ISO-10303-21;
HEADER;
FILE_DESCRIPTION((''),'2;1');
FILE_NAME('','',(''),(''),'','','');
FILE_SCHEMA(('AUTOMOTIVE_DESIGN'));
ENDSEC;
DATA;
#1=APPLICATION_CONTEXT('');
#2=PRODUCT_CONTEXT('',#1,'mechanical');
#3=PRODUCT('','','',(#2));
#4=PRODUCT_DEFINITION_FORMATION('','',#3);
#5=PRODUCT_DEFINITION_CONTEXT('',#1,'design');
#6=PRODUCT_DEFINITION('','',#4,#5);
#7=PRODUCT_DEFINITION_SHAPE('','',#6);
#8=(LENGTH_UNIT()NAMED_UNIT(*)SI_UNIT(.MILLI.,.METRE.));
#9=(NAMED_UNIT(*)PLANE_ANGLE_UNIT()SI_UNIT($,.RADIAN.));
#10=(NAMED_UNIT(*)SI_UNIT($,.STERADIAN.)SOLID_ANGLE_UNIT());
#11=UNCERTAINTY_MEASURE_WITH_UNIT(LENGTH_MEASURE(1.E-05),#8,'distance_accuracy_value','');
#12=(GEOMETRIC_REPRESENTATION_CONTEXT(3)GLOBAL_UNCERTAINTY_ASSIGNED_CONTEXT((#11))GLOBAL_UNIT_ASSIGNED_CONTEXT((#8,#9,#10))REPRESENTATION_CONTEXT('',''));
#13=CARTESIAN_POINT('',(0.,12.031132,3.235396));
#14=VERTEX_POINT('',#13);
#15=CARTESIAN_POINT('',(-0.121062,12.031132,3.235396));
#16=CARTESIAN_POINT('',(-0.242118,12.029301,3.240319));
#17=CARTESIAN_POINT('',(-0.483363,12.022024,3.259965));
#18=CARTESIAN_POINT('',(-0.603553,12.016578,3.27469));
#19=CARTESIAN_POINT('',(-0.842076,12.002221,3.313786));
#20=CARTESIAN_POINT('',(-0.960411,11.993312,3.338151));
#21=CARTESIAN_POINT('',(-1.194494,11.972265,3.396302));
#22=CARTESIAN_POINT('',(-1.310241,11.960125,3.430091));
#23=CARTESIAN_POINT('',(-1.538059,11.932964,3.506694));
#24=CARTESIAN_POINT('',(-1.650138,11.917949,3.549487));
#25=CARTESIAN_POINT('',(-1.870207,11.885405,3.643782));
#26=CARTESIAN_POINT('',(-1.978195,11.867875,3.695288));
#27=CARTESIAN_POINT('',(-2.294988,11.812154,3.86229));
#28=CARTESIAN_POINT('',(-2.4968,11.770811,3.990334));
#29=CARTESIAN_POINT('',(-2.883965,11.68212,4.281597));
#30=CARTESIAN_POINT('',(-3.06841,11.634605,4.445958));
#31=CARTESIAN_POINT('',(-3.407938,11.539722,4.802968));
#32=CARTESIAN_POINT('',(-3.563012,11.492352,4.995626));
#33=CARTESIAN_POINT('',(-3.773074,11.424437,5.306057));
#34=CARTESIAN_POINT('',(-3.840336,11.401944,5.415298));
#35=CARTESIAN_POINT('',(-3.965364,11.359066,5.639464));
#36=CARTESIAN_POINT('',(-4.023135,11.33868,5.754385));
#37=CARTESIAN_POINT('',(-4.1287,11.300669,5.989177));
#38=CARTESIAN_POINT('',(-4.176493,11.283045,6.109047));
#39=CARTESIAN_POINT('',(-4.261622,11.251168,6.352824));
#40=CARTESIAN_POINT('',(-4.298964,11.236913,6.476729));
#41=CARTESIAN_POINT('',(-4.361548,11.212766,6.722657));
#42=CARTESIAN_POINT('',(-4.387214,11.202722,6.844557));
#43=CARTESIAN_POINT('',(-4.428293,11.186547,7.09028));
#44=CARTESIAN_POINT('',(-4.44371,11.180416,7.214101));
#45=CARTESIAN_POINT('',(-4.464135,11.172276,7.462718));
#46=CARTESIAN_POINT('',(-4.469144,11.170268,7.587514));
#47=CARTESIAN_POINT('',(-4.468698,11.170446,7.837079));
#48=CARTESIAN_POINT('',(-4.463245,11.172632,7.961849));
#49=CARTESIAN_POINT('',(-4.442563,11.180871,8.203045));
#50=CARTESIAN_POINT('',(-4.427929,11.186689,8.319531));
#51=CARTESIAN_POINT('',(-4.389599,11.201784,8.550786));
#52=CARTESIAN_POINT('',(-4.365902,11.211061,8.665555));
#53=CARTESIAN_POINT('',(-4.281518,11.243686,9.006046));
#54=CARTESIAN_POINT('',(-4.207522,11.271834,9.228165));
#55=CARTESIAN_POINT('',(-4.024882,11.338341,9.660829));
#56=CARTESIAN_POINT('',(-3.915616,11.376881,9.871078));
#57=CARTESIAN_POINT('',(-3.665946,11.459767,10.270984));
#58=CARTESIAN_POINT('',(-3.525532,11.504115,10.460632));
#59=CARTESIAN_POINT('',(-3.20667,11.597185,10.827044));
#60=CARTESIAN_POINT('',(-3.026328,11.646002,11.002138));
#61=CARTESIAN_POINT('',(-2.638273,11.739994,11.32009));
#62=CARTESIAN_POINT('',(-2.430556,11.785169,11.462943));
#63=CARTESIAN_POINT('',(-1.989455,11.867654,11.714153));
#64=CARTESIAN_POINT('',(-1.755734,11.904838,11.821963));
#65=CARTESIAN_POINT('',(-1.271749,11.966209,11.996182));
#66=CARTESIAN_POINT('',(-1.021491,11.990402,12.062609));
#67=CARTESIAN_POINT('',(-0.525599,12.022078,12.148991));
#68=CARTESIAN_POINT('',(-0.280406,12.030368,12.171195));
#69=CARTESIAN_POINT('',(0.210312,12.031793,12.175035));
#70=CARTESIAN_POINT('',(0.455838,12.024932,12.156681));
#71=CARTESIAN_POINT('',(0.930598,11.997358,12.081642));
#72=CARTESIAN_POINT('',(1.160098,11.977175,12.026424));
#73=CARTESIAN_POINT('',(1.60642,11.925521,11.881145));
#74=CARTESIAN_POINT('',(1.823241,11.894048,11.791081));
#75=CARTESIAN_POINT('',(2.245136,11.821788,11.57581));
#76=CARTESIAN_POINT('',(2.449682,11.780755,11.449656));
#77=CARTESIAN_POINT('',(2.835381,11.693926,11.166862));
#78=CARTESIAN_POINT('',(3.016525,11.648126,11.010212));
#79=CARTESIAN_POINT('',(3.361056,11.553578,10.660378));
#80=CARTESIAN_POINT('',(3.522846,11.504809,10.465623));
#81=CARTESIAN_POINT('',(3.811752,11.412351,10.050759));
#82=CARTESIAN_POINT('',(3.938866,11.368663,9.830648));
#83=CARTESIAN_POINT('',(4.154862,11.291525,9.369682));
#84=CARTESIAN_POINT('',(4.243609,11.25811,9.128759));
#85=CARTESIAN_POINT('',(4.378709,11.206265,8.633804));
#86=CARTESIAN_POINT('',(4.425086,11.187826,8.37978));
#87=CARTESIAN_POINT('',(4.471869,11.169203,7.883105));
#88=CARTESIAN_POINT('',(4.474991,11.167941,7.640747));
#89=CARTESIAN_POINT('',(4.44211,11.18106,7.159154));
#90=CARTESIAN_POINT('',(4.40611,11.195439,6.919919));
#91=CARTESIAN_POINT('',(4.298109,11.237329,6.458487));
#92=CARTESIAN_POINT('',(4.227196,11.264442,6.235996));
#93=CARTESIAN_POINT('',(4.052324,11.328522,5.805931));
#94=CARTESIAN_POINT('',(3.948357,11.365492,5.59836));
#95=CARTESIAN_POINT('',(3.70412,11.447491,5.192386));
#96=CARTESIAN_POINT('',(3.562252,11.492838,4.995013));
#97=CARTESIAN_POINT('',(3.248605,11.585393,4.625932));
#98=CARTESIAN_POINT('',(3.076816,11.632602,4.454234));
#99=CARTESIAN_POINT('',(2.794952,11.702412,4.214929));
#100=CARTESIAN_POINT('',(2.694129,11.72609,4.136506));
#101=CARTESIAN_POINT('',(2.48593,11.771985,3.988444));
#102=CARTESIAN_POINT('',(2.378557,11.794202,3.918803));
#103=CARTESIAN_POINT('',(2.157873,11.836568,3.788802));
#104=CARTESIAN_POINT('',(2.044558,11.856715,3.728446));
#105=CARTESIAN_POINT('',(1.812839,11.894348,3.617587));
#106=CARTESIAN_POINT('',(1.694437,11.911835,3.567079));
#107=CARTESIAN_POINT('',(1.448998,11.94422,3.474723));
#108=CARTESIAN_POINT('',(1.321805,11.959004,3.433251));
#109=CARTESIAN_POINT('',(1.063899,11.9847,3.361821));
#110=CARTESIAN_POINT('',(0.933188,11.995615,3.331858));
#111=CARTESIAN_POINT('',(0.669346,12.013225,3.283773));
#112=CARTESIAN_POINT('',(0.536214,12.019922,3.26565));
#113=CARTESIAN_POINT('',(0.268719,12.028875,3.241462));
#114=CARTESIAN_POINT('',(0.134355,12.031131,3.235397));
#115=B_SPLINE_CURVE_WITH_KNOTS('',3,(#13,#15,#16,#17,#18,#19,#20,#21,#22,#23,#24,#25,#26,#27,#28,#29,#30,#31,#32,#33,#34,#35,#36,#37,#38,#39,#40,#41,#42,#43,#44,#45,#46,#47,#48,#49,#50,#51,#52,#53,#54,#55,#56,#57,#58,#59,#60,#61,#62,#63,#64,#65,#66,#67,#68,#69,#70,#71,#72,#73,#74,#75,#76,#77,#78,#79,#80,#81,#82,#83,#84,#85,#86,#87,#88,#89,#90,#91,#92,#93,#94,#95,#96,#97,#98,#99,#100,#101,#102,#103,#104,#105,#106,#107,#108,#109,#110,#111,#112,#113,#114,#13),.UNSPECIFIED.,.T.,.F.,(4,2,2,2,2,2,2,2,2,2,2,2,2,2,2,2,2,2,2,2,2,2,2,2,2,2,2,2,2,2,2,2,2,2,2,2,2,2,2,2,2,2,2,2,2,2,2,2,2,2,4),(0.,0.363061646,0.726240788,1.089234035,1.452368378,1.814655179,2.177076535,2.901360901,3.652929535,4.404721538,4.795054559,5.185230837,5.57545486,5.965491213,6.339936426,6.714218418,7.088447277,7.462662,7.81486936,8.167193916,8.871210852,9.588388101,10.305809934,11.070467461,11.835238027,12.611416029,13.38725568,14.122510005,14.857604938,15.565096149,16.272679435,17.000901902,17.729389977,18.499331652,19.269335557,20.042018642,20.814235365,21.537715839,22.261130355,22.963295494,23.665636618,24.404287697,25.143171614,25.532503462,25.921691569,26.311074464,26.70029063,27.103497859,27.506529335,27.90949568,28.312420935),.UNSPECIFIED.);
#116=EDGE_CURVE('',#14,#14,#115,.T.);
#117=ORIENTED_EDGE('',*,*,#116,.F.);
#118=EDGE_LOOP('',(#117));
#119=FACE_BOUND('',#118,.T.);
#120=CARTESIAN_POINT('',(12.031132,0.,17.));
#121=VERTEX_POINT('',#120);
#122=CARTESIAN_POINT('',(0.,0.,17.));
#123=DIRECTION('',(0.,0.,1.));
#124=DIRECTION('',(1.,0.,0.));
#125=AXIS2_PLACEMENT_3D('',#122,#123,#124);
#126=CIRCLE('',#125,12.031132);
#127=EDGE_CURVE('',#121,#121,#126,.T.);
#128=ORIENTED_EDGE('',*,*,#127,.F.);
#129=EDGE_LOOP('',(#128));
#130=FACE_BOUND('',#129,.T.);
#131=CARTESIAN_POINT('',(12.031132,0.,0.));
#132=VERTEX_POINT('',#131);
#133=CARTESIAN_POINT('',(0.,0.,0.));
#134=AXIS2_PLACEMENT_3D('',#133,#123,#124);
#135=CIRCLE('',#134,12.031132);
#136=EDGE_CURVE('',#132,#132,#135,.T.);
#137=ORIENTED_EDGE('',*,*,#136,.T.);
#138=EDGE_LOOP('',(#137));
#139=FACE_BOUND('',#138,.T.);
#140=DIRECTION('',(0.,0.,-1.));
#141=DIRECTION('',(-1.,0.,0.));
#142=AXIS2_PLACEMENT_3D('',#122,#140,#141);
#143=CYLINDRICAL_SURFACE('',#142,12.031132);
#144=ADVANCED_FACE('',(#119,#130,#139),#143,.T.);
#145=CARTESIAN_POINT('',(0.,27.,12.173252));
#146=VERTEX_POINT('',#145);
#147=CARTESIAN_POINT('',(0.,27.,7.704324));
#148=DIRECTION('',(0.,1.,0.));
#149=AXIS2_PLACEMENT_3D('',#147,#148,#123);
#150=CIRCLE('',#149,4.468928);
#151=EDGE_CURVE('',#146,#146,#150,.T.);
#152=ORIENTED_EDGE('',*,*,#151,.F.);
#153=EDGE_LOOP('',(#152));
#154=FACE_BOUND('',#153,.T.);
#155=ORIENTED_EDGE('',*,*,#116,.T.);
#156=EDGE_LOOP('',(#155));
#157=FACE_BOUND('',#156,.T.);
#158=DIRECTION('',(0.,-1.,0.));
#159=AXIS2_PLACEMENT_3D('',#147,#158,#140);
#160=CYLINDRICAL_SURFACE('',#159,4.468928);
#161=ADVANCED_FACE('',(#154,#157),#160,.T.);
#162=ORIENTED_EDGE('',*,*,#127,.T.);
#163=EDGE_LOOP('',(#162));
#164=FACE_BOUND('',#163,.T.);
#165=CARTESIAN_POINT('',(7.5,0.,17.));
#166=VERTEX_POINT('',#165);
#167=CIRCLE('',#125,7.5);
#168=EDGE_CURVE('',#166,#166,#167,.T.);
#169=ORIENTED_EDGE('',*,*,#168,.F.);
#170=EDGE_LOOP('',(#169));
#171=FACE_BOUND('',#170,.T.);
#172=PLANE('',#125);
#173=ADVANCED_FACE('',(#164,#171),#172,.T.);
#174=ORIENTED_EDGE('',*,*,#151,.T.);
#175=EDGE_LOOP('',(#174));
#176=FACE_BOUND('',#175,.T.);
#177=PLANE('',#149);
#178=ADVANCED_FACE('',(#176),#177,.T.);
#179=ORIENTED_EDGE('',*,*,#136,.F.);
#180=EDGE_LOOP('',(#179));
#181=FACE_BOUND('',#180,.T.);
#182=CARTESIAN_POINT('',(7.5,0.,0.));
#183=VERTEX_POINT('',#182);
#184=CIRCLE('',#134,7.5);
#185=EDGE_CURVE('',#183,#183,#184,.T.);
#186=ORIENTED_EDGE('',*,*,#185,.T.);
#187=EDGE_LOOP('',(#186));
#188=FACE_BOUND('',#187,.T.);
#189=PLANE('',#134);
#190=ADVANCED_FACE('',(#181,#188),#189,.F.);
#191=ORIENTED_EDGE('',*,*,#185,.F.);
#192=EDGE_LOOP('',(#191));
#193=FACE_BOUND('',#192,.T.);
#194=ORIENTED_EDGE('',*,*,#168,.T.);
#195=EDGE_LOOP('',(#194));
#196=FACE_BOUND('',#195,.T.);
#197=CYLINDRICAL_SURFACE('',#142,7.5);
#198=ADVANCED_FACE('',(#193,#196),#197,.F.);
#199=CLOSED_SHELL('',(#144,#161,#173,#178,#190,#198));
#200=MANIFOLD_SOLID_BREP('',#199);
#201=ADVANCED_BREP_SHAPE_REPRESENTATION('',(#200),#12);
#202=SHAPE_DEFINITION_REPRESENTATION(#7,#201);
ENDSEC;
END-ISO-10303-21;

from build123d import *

# Parameters (mm, degrees)
SKETCH1_R           = 12.03113177
SKETCH1_R_2         = 7.5
BOSS_EXTRUDE1_DEPTH = 17
SKETCH2_R           = 4.468928123
BOSS_EXTRUDE2_DEPTH = 17


with BuildPart() as part:
    # Sketch1 → Boss-Extrude1 (new body)
    with BuildSketch(Plane.XY):
        Circle(SKETCH1_R)
        Circle(SKETCH1_R_2, mode=Mode.SUBTRACT)
    extrude(amount=BOSS_EXTRUDE1_DEPTH)

    # Sketch2 → Boss-Extrude2 (add)
    with BuildSketch(Plane(origin=(0, 10, 0), x_dir=(1, 0, 0), z_dir=(0, 1, 0))):
        with Locations(Location((0, -7.704324195, 0), (0, 0, 90))):
            Circle(SKETCH2_R)
    extrude(amount=BOSS_EXTRUDE2_DEPTH)


solid = part.part
